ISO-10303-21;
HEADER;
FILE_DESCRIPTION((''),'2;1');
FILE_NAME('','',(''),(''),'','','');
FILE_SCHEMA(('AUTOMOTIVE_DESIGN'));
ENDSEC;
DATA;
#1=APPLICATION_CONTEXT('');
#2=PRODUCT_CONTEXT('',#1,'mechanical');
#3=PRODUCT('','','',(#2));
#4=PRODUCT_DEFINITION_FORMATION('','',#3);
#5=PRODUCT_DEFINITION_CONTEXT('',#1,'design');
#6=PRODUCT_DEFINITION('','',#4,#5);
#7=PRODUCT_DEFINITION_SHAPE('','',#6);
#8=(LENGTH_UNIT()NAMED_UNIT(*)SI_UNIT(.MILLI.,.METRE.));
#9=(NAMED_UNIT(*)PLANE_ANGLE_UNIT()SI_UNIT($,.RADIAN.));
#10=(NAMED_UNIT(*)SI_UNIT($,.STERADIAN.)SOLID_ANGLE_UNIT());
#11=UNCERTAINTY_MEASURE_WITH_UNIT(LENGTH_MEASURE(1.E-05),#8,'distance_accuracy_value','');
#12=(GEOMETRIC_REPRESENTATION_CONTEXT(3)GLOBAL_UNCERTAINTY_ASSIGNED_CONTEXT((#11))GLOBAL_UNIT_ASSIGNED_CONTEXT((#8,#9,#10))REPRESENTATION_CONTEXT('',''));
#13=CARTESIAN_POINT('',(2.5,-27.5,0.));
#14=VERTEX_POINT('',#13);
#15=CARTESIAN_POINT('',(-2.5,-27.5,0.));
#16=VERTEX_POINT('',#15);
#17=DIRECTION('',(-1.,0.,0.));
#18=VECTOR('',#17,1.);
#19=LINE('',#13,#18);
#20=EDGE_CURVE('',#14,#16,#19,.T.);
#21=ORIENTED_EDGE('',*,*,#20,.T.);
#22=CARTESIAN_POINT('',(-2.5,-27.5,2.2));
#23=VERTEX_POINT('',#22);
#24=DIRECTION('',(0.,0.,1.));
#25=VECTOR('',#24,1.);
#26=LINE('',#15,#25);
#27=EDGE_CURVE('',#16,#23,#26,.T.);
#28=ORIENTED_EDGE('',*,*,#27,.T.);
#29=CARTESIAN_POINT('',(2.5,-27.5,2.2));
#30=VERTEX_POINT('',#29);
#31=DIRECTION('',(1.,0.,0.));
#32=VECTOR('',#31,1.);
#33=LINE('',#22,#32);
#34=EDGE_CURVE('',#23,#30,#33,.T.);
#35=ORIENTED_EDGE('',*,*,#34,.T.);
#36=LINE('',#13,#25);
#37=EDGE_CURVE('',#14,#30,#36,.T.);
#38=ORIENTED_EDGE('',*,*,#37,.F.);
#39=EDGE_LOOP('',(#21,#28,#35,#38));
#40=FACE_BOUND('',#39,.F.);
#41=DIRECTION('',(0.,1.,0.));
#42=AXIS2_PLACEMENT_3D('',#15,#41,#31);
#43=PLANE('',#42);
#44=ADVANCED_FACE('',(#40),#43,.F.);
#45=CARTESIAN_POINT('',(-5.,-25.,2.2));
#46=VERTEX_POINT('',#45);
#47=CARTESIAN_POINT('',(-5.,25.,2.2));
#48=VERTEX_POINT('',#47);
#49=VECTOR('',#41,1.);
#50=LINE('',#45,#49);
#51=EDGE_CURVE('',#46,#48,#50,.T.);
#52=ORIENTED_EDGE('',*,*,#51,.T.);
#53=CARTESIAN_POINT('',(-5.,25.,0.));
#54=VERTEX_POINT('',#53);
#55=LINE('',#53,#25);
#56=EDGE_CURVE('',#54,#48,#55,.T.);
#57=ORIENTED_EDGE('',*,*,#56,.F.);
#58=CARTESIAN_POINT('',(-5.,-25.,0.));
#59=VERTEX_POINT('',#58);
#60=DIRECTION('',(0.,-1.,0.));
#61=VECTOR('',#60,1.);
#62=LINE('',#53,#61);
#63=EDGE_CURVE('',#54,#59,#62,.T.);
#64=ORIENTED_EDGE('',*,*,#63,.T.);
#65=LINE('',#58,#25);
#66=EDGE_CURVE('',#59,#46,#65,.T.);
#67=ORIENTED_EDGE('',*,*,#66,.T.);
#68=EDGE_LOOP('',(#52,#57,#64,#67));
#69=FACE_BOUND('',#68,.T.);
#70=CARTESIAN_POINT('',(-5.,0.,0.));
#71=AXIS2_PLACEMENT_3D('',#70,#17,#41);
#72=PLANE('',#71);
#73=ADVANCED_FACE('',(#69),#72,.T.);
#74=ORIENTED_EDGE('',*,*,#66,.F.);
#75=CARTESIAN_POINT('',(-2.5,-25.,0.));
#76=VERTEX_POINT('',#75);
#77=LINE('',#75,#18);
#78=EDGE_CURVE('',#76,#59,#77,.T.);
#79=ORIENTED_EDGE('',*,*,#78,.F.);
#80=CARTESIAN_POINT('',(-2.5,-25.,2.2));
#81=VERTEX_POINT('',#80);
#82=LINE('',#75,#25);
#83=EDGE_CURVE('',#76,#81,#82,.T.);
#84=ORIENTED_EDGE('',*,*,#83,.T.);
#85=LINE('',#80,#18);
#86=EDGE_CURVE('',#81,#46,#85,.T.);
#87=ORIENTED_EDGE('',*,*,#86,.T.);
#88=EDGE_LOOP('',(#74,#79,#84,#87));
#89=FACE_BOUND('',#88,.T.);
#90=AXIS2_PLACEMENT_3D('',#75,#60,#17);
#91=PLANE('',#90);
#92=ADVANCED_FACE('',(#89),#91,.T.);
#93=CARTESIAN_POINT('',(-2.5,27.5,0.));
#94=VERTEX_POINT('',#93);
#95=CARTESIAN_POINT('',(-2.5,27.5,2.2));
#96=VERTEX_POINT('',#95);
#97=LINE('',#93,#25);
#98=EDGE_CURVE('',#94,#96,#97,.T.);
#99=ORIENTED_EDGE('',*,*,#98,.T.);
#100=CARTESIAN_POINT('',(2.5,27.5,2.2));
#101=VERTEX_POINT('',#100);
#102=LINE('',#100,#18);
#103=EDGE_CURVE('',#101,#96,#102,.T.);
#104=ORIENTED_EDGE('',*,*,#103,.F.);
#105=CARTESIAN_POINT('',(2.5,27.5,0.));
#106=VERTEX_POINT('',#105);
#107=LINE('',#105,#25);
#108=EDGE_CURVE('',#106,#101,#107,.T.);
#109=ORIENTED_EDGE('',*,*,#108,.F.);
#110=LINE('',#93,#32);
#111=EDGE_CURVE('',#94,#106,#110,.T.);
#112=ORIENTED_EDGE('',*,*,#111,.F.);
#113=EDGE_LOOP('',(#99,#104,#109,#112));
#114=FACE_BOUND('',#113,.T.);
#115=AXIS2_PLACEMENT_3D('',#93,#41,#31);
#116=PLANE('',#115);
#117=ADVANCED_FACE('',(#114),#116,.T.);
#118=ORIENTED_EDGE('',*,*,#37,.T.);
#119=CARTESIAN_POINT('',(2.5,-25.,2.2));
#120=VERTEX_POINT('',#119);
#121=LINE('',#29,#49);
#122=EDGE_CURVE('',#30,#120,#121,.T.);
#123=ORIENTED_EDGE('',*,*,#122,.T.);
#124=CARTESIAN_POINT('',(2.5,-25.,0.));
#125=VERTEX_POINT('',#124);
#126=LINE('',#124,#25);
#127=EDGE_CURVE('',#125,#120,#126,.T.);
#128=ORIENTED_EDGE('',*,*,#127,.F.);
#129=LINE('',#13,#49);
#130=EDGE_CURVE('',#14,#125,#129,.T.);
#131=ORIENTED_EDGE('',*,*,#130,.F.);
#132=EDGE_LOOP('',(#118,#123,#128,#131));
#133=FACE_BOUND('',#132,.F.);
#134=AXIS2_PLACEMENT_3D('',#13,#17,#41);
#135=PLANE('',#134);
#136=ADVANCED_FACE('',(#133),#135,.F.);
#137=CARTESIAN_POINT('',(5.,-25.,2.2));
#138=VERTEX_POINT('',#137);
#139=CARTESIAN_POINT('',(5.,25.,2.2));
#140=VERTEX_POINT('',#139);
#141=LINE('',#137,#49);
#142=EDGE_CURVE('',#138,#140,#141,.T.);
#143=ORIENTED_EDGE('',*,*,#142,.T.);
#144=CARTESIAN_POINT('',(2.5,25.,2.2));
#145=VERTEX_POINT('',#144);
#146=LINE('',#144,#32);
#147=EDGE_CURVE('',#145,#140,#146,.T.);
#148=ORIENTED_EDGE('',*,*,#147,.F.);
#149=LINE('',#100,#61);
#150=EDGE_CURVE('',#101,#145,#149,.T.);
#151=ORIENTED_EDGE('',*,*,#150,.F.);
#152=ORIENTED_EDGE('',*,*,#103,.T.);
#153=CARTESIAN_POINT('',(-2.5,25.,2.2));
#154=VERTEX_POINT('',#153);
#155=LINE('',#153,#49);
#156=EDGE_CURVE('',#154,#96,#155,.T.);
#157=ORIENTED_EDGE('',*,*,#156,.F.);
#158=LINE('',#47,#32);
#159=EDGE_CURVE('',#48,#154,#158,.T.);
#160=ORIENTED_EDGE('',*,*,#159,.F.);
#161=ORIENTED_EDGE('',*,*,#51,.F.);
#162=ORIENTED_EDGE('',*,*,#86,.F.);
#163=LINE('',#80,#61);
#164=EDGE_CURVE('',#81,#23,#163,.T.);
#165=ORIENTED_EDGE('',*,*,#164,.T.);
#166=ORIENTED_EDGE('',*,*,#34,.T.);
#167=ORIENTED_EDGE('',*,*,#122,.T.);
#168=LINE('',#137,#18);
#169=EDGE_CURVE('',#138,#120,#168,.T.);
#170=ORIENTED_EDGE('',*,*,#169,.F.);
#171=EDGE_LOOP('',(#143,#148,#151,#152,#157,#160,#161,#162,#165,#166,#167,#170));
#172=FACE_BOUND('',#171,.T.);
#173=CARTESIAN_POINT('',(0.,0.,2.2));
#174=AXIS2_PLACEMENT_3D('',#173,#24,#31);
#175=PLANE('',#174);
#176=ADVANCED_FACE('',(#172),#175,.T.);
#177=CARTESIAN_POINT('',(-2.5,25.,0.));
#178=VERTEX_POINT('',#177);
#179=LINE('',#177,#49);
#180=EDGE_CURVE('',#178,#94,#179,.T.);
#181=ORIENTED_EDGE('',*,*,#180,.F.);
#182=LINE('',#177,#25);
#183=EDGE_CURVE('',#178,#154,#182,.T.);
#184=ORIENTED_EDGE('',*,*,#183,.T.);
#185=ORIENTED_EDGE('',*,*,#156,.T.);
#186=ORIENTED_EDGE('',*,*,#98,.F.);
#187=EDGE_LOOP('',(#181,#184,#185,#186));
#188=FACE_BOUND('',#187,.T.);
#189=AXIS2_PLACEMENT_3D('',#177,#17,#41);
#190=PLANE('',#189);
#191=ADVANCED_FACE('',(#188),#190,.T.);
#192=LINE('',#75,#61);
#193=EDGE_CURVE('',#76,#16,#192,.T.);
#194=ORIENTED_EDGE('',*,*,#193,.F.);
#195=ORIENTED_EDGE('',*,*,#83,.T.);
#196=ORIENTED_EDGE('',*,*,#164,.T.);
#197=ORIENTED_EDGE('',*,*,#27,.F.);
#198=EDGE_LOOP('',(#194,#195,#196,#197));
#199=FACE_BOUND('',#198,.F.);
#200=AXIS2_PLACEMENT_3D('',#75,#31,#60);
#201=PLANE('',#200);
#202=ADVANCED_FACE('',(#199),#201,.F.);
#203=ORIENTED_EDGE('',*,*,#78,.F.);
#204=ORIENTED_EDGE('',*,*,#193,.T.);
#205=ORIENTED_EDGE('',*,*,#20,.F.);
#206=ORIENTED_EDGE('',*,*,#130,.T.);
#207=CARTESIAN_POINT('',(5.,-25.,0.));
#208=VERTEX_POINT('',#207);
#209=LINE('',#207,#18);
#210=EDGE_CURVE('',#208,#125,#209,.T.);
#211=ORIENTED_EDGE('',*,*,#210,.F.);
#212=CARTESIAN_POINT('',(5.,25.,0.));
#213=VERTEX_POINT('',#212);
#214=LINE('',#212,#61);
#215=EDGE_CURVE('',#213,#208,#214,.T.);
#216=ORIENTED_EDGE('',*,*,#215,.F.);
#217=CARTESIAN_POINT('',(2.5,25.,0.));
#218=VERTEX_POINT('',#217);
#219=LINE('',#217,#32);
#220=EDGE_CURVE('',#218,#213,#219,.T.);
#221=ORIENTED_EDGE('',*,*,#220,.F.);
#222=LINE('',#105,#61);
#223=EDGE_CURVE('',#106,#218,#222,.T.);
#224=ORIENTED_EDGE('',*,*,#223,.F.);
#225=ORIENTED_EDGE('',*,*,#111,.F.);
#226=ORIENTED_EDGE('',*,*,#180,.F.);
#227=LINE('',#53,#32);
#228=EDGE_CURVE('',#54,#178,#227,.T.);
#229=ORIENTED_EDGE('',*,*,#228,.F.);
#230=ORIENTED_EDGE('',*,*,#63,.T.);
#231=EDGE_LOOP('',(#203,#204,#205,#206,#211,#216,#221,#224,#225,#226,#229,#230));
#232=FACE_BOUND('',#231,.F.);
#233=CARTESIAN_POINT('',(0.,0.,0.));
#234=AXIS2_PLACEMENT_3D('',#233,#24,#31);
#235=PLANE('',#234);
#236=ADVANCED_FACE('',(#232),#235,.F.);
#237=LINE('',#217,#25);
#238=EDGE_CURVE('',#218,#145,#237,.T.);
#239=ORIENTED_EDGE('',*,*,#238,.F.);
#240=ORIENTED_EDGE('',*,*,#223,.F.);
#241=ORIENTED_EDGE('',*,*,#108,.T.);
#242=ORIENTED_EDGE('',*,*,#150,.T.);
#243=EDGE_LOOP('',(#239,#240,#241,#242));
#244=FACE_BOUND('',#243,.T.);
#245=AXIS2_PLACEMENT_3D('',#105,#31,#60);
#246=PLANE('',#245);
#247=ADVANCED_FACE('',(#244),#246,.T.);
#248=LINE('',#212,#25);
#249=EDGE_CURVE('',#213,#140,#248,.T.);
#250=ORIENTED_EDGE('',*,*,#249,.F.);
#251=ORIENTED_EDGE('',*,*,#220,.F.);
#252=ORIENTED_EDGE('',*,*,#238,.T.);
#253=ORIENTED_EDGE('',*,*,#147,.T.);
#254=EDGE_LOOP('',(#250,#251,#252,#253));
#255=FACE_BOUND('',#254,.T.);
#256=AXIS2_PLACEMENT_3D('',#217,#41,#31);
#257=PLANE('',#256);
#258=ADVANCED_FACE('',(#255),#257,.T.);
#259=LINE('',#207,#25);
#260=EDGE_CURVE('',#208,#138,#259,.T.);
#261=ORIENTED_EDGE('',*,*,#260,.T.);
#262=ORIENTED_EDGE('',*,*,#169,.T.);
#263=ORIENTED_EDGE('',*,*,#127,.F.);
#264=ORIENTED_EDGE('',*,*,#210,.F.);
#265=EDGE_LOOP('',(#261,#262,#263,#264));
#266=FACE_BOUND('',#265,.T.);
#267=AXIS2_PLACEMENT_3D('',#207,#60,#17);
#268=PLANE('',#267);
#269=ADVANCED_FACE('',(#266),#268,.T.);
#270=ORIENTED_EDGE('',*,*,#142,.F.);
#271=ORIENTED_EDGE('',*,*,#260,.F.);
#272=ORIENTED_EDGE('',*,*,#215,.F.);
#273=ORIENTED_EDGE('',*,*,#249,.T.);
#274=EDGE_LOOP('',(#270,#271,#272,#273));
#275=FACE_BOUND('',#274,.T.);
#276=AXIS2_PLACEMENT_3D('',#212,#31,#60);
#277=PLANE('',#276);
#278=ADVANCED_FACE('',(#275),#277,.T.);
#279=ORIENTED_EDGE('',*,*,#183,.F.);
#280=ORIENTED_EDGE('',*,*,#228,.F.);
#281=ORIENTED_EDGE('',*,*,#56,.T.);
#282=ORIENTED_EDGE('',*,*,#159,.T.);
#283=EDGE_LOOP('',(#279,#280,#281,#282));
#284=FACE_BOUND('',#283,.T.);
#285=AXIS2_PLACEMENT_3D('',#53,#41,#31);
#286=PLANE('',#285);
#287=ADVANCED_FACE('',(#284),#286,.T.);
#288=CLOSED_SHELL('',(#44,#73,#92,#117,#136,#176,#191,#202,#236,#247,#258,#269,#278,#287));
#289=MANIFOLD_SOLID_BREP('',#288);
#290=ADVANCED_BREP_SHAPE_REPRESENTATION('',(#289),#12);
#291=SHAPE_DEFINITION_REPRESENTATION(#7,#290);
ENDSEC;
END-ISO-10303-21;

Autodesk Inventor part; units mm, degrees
ref_plane "YZ Plane" through (0, 0, 0) normal (1, 0, 0) x (0, 1, 0)
ref_plane "XZ Plane" through (0, 0, 0) normal (0, 1, 0) x (-1, 0, 0)
ref_plane "XY Plane" through (0, 0, 0) normal (0, 0, 1) x (1, 0, 0)
sketch "Sketch1" plane through (0, 0, 0) normal (0, 0, 1) x (1, 0, 0)
  line L0 (-7, 0) -> (7, 0) projected
  line L1 (0, -38.5) -> (0, 38.5) projected
  line L2 (5, 25) -> (5, -25)
  line L3 (-5, -25) -> (-5, 25)
  line L4 (-2.5, -25) -> (-2.5, -27.5)
  line L5 (-2.5, -27.5) -> (2.5, -27.5)
  line L6 (2.5, -27.5) -> (2.5, -25)
  line L7 (5, -25) -> (2.5, -25)
  line L8 (-2.5, -25) -> (-5, -25)
  line L9 (-2.5, 25) -> (-2.5, 27.5)
  line L10 (-2.5, 27.5) -> (2.5, 27.5)
  line L11 (2.5, 27.5) -> (2.5, 25)
  line L12 (-5, 25) -> (-2.5, 25)
  line L13 (2.5, 25) -> (5, 25)
  point P0 (0, 0)
  dimension "d0" = 10
  dimension "d1" = 50
  dimension "d3" = 5
  dimension "d7" = 2.5
  dimension "d8" = 2.5
  dimension "d10" = 2.5
  dimension "d11" = 2.5
  dimension "d12" = 2.5
extrude "Extrusion1" add sketch "Sketch1" along normal blind 2.2
equation "\"d3\" = 0.5 * d0"
equation "\"d2\" = 0.5 * d1"
properties part number "Acrylic_2.2_Lower"
